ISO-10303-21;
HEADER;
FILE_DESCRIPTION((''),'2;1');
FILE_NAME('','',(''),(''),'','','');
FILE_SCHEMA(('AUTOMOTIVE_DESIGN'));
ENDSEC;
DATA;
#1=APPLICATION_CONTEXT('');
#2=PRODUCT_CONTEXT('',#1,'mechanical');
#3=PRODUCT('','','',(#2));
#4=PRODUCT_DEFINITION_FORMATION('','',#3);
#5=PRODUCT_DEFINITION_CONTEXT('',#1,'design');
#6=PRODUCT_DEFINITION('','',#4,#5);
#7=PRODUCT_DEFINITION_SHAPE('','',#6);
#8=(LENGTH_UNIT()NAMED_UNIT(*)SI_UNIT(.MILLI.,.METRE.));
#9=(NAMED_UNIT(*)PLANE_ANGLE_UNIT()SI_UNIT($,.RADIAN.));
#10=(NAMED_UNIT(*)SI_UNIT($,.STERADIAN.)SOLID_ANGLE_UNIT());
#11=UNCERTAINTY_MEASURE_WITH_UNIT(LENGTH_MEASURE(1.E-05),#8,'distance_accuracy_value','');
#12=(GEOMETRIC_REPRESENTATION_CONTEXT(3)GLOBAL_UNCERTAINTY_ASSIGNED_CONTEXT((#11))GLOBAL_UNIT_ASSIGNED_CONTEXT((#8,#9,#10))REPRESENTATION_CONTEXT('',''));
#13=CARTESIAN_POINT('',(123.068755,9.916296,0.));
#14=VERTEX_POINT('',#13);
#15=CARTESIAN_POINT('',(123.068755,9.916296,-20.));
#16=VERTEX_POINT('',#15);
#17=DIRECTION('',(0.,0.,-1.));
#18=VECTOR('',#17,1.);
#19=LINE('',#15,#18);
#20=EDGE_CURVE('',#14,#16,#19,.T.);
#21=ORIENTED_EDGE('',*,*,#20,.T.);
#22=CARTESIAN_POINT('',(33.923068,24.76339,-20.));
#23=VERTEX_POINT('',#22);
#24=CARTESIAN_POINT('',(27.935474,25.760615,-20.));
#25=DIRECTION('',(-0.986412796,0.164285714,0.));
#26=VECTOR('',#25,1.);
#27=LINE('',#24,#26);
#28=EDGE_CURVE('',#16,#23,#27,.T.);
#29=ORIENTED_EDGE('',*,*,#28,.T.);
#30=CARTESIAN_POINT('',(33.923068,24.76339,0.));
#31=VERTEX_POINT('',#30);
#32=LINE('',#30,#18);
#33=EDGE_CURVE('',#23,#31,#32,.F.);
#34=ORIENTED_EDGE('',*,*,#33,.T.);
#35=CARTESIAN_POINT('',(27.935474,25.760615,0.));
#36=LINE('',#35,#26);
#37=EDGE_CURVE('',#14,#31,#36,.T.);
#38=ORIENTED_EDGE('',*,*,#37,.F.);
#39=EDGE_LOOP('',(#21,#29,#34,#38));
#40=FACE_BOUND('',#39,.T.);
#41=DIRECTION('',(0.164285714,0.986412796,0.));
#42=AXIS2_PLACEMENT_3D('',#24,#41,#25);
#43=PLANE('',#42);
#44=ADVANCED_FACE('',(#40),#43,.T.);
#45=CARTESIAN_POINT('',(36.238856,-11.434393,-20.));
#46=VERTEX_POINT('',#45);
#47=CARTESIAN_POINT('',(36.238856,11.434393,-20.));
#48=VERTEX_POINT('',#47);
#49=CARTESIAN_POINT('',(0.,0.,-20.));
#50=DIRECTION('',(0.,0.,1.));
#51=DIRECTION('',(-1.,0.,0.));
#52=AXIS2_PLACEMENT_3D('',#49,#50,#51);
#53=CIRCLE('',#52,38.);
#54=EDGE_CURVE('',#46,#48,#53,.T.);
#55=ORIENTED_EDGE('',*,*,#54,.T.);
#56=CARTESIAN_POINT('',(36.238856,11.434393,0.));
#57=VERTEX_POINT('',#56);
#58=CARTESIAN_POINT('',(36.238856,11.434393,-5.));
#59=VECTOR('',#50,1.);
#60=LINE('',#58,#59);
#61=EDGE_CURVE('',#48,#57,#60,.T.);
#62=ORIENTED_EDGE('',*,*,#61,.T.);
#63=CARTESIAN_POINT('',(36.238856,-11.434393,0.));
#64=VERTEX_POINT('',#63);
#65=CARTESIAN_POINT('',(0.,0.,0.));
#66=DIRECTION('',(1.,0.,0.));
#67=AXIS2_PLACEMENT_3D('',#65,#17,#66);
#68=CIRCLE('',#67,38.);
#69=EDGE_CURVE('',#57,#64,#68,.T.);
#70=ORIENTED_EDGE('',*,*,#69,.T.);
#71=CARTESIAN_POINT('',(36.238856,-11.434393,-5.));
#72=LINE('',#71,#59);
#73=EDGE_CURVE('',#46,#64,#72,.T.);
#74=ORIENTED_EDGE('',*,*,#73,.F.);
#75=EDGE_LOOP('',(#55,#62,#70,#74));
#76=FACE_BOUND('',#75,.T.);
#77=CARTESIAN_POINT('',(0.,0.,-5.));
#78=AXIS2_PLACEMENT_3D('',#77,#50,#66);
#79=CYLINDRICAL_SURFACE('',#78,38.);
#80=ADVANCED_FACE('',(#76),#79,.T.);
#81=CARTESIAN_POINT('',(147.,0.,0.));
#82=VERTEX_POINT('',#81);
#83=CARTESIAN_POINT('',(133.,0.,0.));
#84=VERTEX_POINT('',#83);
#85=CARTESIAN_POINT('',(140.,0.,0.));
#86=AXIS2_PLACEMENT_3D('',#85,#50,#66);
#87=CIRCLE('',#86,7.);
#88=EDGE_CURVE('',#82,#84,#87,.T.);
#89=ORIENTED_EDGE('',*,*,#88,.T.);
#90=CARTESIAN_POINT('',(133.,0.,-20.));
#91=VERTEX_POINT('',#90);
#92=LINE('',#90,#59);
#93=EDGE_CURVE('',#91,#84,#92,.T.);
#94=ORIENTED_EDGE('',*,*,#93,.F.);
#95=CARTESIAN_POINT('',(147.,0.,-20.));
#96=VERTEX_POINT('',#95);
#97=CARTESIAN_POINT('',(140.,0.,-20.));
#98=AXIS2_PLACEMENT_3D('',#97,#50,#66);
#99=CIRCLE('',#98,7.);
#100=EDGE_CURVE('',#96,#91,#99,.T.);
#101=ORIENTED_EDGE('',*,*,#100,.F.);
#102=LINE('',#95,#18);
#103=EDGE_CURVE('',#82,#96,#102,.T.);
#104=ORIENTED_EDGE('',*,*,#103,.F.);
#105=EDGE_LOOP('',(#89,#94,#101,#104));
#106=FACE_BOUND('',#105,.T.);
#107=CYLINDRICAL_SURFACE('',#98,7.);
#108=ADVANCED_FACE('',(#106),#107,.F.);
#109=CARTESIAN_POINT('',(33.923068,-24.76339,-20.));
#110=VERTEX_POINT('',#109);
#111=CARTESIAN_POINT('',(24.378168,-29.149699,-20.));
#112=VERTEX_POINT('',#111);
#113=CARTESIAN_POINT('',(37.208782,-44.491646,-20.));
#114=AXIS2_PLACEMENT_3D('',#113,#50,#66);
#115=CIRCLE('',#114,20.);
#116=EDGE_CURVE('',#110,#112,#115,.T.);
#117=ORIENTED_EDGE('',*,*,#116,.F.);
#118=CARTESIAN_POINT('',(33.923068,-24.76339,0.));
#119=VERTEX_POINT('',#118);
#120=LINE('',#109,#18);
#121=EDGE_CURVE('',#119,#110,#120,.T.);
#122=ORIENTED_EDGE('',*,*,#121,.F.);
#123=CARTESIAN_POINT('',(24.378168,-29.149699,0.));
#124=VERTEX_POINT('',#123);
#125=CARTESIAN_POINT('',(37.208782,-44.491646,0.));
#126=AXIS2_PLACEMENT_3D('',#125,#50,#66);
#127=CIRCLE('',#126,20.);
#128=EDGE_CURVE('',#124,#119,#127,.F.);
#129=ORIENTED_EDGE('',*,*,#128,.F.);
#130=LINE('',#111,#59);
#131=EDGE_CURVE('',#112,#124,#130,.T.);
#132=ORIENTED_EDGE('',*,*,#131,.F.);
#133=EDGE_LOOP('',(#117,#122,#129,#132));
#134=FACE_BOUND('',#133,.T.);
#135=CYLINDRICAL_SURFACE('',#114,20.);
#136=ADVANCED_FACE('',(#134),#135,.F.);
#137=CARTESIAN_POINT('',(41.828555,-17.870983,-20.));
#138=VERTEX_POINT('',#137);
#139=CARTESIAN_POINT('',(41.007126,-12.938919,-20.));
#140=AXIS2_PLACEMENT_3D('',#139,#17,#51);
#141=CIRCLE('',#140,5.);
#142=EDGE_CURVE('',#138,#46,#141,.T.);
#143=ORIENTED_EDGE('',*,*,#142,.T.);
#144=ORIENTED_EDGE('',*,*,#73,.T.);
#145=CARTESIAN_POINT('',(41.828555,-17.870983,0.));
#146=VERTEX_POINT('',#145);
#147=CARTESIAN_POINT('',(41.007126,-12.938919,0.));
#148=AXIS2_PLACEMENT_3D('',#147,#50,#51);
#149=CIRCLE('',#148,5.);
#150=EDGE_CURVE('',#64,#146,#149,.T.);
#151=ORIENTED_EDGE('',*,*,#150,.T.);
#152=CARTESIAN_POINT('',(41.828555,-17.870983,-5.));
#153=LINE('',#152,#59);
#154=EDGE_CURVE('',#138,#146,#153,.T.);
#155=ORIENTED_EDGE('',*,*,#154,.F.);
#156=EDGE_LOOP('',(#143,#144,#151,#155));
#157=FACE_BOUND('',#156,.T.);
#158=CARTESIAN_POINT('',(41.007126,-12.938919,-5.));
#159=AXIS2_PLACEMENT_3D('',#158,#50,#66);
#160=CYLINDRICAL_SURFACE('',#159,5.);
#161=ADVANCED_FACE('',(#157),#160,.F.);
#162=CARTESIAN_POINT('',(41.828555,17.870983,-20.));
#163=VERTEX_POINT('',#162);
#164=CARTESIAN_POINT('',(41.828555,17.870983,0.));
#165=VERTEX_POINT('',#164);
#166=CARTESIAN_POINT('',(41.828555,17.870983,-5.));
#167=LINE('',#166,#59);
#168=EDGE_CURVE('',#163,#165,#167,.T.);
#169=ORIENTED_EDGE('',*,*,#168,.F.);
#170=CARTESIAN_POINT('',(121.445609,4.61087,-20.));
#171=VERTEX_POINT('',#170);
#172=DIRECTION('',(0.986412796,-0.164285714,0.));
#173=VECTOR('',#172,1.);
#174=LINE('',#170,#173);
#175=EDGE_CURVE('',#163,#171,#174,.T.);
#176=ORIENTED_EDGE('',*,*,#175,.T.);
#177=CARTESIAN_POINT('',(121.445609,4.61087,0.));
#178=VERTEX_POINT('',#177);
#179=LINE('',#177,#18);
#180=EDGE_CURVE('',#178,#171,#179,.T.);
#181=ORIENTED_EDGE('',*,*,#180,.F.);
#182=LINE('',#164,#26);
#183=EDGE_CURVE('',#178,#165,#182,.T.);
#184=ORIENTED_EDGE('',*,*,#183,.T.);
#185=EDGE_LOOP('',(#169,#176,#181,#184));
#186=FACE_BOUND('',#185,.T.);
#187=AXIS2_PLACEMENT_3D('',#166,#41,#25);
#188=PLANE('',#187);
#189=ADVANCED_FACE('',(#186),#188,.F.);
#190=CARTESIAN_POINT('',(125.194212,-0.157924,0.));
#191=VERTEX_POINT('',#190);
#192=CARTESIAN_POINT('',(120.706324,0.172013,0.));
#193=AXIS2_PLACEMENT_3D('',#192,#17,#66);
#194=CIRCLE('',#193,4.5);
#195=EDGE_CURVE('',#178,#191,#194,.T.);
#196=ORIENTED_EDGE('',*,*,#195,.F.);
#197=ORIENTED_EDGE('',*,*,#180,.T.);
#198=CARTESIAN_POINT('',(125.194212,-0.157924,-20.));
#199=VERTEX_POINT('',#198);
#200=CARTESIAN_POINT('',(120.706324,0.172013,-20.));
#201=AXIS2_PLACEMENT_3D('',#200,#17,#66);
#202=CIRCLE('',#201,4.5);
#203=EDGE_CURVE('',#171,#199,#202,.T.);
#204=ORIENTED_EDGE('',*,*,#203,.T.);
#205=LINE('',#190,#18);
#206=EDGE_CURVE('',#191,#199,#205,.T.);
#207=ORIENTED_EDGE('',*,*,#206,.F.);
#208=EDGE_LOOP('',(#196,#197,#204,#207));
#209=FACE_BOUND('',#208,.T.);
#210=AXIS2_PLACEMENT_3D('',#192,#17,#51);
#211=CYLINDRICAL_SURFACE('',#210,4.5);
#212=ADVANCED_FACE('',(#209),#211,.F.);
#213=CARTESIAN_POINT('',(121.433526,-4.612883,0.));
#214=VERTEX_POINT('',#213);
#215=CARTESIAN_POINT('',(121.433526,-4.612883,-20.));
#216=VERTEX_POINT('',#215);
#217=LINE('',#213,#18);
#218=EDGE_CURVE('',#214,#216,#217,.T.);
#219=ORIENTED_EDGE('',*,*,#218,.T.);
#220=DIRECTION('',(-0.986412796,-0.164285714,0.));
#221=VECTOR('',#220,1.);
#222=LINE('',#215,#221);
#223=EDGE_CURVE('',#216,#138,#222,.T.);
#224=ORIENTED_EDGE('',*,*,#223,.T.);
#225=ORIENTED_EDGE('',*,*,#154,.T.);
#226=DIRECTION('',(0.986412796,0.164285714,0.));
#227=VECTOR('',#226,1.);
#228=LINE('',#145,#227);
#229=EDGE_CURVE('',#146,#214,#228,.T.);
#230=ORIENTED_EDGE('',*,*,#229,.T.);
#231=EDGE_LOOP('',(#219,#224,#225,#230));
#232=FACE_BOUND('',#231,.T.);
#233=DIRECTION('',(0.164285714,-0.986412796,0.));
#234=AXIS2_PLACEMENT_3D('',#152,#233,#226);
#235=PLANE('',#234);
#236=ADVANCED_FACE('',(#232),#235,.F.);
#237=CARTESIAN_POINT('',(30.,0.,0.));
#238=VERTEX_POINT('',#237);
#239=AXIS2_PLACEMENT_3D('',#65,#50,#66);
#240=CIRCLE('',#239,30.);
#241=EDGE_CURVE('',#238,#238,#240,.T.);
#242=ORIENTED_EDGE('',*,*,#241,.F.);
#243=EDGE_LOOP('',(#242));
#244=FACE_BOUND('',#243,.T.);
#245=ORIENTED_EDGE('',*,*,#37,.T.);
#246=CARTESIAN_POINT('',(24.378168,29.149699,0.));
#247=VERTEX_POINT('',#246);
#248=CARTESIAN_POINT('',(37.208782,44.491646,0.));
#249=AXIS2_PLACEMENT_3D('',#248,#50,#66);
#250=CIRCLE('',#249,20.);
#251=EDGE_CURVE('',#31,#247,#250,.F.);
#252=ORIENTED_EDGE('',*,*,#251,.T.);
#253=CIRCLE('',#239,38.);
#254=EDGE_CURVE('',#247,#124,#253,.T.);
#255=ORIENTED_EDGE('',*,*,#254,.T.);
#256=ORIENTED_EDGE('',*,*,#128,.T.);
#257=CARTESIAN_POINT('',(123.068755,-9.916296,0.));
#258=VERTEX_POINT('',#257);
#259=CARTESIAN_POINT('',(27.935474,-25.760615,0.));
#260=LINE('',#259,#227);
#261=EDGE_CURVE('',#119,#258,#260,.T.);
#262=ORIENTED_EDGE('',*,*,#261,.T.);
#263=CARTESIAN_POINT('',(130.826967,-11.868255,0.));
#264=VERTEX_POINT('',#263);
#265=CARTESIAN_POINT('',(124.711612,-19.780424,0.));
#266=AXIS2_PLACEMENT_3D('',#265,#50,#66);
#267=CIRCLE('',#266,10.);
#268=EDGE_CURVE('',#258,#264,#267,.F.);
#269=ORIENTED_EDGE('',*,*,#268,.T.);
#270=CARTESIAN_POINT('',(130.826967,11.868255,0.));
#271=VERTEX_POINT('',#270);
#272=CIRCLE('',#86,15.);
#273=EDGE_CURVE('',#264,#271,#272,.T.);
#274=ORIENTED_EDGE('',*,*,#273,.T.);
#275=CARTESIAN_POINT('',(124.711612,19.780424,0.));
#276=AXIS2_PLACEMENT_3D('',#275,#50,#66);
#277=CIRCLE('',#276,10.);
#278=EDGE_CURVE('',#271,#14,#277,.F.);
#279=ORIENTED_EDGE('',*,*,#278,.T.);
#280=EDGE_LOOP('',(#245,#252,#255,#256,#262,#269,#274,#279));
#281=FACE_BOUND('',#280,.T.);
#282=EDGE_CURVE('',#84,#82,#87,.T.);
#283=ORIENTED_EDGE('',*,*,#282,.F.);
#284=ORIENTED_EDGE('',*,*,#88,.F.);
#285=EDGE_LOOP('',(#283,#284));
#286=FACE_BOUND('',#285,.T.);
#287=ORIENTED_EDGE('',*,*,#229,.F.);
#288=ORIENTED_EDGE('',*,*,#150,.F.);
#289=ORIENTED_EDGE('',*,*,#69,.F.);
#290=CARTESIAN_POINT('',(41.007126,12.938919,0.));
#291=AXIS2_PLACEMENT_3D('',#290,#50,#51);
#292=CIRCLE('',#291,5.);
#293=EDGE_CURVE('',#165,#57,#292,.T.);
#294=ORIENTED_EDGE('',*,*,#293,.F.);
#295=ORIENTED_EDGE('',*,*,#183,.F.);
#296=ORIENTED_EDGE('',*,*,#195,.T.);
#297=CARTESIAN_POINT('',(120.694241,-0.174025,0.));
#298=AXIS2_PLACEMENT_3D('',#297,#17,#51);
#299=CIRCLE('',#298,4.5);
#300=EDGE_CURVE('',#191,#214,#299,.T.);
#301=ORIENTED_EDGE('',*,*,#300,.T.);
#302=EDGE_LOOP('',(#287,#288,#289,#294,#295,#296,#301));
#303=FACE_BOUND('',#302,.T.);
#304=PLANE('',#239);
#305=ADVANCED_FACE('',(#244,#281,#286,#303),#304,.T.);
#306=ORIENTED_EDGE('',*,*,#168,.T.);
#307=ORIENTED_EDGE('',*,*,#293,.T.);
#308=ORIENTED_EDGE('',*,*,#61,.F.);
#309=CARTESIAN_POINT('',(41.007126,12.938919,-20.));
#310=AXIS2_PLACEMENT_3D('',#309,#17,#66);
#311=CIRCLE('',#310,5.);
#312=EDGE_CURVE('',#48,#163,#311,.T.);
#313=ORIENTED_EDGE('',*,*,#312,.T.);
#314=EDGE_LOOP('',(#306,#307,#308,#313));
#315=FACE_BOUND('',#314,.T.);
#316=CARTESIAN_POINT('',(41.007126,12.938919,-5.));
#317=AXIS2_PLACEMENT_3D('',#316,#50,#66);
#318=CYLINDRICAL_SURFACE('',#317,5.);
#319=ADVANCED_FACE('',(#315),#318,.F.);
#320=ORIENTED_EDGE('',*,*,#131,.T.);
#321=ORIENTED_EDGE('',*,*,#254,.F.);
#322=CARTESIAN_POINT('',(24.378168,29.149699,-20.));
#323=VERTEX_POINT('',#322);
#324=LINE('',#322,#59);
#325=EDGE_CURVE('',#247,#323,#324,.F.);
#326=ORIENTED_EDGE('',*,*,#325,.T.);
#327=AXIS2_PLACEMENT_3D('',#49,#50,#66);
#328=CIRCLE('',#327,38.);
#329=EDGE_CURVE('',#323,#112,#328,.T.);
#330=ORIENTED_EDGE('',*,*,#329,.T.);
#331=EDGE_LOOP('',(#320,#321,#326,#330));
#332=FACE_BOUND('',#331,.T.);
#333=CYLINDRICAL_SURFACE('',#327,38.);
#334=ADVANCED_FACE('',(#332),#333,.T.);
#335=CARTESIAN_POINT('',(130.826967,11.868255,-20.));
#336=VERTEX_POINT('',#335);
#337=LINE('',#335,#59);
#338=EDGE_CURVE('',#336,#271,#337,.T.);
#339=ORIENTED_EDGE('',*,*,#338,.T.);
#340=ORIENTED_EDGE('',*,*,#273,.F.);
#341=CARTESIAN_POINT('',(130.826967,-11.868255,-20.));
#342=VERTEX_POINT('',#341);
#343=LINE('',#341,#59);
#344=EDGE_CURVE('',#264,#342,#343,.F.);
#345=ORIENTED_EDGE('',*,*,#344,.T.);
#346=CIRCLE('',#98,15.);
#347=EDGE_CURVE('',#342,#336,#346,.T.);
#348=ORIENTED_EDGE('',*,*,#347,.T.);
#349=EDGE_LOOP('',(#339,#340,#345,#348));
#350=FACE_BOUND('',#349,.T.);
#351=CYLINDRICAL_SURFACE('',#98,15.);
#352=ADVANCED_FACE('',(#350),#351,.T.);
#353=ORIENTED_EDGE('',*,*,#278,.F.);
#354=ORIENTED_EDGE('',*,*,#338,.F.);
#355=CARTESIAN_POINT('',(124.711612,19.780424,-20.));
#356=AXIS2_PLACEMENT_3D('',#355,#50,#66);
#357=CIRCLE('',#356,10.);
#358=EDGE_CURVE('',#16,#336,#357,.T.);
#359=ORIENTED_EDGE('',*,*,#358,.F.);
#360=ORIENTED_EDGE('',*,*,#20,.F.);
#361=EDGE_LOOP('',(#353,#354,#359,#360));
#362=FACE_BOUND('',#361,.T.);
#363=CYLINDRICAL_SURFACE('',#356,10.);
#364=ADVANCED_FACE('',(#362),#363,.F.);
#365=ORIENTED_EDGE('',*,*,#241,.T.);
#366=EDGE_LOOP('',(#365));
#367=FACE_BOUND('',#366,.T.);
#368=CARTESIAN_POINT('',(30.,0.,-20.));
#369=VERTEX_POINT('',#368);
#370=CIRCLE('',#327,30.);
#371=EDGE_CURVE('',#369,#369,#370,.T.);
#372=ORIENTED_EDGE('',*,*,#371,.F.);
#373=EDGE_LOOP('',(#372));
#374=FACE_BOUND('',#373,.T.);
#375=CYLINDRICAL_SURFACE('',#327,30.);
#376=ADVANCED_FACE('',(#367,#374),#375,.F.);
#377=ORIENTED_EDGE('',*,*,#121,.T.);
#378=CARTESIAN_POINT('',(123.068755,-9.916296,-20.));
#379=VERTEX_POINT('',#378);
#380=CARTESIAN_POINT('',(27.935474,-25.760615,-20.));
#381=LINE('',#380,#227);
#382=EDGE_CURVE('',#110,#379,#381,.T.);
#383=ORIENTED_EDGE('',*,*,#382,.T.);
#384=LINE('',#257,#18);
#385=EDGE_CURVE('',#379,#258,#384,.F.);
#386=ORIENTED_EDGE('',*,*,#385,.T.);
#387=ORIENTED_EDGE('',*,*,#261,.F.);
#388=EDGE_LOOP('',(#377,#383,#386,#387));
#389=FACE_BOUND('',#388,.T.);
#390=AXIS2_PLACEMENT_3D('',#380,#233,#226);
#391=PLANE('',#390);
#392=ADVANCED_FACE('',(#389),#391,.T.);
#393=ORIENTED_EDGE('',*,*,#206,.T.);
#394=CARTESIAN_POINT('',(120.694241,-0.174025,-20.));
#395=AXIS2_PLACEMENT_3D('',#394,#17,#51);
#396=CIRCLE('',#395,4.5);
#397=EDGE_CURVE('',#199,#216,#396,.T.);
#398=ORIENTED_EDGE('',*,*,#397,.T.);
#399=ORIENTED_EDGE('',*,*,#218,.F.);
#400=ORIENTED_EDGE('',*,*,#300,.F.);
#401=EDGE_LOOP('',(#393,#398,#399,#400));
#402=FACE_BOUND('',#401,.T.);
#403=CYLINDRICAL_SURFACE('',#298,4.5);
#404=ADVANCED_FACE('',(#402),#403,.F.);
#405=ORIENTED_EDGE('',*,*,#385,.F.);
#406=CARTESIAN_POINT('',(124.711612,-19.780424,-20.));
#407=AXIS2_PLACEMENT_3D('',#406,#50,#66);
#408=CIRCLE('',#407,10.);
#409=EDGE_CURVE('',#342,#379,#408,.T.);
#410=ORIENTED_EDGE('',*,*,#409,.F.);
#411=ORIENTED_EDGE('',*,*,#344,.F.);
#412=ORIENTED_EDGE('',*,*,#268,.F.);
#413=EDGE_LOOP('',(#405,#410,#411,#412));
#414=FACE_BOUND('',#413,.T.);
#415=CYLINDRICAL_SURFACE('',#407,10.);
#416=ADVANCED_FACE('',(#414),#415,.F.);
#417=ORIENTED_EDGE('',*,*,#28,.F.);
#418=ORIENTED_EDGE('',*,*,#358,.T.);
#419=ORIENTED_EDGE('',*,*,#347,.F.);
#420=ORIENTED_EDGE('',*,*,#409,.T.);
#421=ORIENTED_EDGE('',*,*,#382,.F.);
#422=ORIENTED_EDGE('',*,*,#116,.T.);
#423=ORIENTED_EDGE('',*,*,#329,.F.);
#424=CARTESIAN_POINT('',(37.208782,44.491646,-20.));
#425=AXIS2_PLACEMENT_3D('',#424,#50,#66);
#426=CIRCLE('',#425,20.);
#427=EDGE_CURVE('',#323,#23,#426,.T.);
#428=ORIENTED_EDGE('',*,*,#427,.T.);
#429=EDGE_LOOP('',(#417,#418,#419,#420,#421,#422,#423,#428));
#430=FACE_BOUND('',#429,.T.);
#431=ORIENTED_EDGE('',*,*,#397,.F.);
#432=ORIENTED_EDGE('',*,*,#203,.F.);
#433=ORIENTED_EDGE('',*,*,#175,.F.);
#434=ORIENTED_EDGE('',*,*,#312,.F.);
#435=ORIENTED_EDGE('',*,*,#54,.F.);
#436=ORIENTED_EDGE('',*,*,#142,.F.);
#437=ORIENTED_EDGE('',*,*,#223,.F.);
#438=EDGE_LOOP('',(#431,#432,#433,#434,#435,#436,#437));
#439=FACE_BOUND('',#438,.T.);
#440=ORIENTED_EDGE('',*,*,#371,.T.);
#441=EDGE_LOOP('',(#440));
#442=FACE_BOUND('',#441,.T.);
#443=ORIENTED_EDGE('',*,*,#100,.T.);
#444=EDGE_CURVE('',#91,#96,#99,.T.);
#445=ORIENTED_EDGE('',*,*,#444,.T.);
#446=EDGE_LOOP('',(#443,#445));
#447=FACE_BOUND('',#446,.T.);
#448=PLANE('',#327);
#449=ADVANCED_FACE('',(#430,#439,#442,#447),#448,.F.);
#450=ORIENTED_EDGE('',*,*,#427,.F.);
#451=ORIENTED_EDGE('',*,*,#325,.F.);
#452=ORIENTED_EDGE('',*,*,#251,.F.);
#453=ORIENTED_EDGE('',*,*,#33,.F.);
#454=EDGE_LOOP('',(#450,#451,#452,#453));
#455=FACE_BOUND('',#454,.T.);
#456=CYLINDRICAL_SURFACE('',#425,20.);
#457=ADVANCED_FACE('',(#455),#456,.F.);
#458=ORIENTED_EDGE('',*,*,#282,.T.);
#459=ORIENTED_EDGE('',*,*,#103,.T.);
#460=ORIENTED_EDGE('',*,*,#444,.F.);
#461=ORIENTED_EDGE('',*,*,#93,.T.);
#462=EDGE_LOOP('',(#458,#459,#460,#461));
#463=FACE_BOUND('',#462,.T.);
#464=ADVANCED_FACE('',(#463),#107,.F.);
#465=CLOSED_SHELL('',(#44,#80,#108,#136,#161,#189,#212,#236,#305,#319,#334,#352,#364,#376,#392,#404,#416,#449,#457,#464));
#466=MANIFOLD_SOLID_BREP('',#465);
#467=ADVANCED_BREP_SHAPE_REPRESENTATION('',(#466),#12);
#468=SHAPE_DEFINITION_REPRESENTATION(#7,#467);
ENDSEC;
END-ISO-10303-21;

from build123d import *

# Parameters (mm, degrees)
SKETCH1_R          = 30
SKETCH1_R_2        = 7
BASE_EXTRUDE_DEPTH = 20
FILLET1_R          = 10
FILLET2_R          = 20
CUT_EXTRUDE1_DEPTH = 5
CUT_EXTRUDE2_DEPTH = 21


with BuildPart() as part:
    # Sketch1 → Base-Extrude (new body)
    with BuildSketch(Plane.XY):
        with BuildLine():
            Line((27.935473676, 25.760615491), (128.063755469, 9.084385863))
            ThreePointArc((128.063755469, 9.084385863), (155, 0), (128.063755469, -9.084385863))
            Line((128.063755469, -9.084385863), (27.935473676, -25.760615491))
            ThreePointArc((27.935473676, -25.760615491), (-38, 0), (27.935473676, 25.760615491))
        make_face()
        Circle(SKETCH1_R, mode=Mode.SUBTRACT)
        with Locations((140, 0)):
            Circle(SKETCH1_R_2, mode=Mode.SUBTRACT)
    extrude(amount=-BASE_EXTRUDE_DEPTH)

    # Fillet1
    fillet1_edges = [part.edges().sort_by_distance(p)[0] for p in [
        (128.063755469, 9.084385863, -10),
        (128.063755469, -9.084385863, -10),
    ]]
    fillet(fillet1_edges, radius=FILLET1_R)

    # Fillet2
    fillet2_edges = [part.edges().sort_by_distance(p)[0] for p in [
        (27.935473676, 25.760615491, -10),
        (27.935473676, -25.760615491, -10),
    ]]
    fillet(fillet2_edges, radius=FILLET2_R)

    # Sketch2 → Cut-Extrude1 (cut)
    with BuildSketch(Plane.XY):
        with BuildLine():
            Line((41.828554558, 17.870982725), (121.046940728, 4.677267873))
            ThreePointArc((121.046940728, 4.677267873), (123.741079282, 3.147292859), (124.807655013, 0.238406077))
            ThreePointArc((124.807655013, 0.238406077), (123.914202634, -2.958553332), (121.071833732, -4.673121977))
            Line((121.071833732, -4.673121977), (41.828554558, -17.870982725))
            ThreePointArc((41.828554558, -17.870982725), (37.231968897, -16.217361812), (36.238855523, -11.43439331))
            ThreePointArc((36.238855523, -11.43439331), (38, 0), (36.238855523, 11.43439331))
            ThreePointArc((36.238855523, 11.43439331), (37.231968897, 16.217361812), (41.828554558, 17.870982725))
        make_face()
    extrude(amount=-CUT_EXTRUDE1_DEPTH, mode=Mode.SUBTRACT)

    # Sketch3 → Cut-Extrude2 (cut, through all)
    with BuildSketch(Plane(origin=(0, 0, -20), x_dir=(-1, 0, 0), z_dir=(0, 0, -1))):
        with BuildLine():
            Line((-121.445609231, 4.610870174), (-41.828554558, 17.870982725))
            ThreePointArc((-41.828554558, 17.870982725), (-37.231968897, 16.217361812), (-36.238855523, 11.43439331))
            ThreePointArc((-36.238855523, 11.43439331), (-38, 0), (-36.238855523, -11.43439331))
            ThreePointArc((-36.238855523, -11.43439331), (-37.231968897, -16.217361812), (-41.828554558, -17.870982725))
            Line((-41.828554558, -17.870982725), (-121.433526351, -4.612882562))
            ThreePointArc((-121.433526351, -4.612882562), (-124.132861899, -3.076762276), (-125.194211834, -0.157924451))
            ThreePointArc((-125.194211834, -0.157924451), (-124.244145959, 2.952985869), (-121.445609231, 4.610870174))
        make_face()
    extrude(amount=-CUT_EXTRUDE2_DEPTH, mode=Mode.SUBTRACT)


solid = part.part
